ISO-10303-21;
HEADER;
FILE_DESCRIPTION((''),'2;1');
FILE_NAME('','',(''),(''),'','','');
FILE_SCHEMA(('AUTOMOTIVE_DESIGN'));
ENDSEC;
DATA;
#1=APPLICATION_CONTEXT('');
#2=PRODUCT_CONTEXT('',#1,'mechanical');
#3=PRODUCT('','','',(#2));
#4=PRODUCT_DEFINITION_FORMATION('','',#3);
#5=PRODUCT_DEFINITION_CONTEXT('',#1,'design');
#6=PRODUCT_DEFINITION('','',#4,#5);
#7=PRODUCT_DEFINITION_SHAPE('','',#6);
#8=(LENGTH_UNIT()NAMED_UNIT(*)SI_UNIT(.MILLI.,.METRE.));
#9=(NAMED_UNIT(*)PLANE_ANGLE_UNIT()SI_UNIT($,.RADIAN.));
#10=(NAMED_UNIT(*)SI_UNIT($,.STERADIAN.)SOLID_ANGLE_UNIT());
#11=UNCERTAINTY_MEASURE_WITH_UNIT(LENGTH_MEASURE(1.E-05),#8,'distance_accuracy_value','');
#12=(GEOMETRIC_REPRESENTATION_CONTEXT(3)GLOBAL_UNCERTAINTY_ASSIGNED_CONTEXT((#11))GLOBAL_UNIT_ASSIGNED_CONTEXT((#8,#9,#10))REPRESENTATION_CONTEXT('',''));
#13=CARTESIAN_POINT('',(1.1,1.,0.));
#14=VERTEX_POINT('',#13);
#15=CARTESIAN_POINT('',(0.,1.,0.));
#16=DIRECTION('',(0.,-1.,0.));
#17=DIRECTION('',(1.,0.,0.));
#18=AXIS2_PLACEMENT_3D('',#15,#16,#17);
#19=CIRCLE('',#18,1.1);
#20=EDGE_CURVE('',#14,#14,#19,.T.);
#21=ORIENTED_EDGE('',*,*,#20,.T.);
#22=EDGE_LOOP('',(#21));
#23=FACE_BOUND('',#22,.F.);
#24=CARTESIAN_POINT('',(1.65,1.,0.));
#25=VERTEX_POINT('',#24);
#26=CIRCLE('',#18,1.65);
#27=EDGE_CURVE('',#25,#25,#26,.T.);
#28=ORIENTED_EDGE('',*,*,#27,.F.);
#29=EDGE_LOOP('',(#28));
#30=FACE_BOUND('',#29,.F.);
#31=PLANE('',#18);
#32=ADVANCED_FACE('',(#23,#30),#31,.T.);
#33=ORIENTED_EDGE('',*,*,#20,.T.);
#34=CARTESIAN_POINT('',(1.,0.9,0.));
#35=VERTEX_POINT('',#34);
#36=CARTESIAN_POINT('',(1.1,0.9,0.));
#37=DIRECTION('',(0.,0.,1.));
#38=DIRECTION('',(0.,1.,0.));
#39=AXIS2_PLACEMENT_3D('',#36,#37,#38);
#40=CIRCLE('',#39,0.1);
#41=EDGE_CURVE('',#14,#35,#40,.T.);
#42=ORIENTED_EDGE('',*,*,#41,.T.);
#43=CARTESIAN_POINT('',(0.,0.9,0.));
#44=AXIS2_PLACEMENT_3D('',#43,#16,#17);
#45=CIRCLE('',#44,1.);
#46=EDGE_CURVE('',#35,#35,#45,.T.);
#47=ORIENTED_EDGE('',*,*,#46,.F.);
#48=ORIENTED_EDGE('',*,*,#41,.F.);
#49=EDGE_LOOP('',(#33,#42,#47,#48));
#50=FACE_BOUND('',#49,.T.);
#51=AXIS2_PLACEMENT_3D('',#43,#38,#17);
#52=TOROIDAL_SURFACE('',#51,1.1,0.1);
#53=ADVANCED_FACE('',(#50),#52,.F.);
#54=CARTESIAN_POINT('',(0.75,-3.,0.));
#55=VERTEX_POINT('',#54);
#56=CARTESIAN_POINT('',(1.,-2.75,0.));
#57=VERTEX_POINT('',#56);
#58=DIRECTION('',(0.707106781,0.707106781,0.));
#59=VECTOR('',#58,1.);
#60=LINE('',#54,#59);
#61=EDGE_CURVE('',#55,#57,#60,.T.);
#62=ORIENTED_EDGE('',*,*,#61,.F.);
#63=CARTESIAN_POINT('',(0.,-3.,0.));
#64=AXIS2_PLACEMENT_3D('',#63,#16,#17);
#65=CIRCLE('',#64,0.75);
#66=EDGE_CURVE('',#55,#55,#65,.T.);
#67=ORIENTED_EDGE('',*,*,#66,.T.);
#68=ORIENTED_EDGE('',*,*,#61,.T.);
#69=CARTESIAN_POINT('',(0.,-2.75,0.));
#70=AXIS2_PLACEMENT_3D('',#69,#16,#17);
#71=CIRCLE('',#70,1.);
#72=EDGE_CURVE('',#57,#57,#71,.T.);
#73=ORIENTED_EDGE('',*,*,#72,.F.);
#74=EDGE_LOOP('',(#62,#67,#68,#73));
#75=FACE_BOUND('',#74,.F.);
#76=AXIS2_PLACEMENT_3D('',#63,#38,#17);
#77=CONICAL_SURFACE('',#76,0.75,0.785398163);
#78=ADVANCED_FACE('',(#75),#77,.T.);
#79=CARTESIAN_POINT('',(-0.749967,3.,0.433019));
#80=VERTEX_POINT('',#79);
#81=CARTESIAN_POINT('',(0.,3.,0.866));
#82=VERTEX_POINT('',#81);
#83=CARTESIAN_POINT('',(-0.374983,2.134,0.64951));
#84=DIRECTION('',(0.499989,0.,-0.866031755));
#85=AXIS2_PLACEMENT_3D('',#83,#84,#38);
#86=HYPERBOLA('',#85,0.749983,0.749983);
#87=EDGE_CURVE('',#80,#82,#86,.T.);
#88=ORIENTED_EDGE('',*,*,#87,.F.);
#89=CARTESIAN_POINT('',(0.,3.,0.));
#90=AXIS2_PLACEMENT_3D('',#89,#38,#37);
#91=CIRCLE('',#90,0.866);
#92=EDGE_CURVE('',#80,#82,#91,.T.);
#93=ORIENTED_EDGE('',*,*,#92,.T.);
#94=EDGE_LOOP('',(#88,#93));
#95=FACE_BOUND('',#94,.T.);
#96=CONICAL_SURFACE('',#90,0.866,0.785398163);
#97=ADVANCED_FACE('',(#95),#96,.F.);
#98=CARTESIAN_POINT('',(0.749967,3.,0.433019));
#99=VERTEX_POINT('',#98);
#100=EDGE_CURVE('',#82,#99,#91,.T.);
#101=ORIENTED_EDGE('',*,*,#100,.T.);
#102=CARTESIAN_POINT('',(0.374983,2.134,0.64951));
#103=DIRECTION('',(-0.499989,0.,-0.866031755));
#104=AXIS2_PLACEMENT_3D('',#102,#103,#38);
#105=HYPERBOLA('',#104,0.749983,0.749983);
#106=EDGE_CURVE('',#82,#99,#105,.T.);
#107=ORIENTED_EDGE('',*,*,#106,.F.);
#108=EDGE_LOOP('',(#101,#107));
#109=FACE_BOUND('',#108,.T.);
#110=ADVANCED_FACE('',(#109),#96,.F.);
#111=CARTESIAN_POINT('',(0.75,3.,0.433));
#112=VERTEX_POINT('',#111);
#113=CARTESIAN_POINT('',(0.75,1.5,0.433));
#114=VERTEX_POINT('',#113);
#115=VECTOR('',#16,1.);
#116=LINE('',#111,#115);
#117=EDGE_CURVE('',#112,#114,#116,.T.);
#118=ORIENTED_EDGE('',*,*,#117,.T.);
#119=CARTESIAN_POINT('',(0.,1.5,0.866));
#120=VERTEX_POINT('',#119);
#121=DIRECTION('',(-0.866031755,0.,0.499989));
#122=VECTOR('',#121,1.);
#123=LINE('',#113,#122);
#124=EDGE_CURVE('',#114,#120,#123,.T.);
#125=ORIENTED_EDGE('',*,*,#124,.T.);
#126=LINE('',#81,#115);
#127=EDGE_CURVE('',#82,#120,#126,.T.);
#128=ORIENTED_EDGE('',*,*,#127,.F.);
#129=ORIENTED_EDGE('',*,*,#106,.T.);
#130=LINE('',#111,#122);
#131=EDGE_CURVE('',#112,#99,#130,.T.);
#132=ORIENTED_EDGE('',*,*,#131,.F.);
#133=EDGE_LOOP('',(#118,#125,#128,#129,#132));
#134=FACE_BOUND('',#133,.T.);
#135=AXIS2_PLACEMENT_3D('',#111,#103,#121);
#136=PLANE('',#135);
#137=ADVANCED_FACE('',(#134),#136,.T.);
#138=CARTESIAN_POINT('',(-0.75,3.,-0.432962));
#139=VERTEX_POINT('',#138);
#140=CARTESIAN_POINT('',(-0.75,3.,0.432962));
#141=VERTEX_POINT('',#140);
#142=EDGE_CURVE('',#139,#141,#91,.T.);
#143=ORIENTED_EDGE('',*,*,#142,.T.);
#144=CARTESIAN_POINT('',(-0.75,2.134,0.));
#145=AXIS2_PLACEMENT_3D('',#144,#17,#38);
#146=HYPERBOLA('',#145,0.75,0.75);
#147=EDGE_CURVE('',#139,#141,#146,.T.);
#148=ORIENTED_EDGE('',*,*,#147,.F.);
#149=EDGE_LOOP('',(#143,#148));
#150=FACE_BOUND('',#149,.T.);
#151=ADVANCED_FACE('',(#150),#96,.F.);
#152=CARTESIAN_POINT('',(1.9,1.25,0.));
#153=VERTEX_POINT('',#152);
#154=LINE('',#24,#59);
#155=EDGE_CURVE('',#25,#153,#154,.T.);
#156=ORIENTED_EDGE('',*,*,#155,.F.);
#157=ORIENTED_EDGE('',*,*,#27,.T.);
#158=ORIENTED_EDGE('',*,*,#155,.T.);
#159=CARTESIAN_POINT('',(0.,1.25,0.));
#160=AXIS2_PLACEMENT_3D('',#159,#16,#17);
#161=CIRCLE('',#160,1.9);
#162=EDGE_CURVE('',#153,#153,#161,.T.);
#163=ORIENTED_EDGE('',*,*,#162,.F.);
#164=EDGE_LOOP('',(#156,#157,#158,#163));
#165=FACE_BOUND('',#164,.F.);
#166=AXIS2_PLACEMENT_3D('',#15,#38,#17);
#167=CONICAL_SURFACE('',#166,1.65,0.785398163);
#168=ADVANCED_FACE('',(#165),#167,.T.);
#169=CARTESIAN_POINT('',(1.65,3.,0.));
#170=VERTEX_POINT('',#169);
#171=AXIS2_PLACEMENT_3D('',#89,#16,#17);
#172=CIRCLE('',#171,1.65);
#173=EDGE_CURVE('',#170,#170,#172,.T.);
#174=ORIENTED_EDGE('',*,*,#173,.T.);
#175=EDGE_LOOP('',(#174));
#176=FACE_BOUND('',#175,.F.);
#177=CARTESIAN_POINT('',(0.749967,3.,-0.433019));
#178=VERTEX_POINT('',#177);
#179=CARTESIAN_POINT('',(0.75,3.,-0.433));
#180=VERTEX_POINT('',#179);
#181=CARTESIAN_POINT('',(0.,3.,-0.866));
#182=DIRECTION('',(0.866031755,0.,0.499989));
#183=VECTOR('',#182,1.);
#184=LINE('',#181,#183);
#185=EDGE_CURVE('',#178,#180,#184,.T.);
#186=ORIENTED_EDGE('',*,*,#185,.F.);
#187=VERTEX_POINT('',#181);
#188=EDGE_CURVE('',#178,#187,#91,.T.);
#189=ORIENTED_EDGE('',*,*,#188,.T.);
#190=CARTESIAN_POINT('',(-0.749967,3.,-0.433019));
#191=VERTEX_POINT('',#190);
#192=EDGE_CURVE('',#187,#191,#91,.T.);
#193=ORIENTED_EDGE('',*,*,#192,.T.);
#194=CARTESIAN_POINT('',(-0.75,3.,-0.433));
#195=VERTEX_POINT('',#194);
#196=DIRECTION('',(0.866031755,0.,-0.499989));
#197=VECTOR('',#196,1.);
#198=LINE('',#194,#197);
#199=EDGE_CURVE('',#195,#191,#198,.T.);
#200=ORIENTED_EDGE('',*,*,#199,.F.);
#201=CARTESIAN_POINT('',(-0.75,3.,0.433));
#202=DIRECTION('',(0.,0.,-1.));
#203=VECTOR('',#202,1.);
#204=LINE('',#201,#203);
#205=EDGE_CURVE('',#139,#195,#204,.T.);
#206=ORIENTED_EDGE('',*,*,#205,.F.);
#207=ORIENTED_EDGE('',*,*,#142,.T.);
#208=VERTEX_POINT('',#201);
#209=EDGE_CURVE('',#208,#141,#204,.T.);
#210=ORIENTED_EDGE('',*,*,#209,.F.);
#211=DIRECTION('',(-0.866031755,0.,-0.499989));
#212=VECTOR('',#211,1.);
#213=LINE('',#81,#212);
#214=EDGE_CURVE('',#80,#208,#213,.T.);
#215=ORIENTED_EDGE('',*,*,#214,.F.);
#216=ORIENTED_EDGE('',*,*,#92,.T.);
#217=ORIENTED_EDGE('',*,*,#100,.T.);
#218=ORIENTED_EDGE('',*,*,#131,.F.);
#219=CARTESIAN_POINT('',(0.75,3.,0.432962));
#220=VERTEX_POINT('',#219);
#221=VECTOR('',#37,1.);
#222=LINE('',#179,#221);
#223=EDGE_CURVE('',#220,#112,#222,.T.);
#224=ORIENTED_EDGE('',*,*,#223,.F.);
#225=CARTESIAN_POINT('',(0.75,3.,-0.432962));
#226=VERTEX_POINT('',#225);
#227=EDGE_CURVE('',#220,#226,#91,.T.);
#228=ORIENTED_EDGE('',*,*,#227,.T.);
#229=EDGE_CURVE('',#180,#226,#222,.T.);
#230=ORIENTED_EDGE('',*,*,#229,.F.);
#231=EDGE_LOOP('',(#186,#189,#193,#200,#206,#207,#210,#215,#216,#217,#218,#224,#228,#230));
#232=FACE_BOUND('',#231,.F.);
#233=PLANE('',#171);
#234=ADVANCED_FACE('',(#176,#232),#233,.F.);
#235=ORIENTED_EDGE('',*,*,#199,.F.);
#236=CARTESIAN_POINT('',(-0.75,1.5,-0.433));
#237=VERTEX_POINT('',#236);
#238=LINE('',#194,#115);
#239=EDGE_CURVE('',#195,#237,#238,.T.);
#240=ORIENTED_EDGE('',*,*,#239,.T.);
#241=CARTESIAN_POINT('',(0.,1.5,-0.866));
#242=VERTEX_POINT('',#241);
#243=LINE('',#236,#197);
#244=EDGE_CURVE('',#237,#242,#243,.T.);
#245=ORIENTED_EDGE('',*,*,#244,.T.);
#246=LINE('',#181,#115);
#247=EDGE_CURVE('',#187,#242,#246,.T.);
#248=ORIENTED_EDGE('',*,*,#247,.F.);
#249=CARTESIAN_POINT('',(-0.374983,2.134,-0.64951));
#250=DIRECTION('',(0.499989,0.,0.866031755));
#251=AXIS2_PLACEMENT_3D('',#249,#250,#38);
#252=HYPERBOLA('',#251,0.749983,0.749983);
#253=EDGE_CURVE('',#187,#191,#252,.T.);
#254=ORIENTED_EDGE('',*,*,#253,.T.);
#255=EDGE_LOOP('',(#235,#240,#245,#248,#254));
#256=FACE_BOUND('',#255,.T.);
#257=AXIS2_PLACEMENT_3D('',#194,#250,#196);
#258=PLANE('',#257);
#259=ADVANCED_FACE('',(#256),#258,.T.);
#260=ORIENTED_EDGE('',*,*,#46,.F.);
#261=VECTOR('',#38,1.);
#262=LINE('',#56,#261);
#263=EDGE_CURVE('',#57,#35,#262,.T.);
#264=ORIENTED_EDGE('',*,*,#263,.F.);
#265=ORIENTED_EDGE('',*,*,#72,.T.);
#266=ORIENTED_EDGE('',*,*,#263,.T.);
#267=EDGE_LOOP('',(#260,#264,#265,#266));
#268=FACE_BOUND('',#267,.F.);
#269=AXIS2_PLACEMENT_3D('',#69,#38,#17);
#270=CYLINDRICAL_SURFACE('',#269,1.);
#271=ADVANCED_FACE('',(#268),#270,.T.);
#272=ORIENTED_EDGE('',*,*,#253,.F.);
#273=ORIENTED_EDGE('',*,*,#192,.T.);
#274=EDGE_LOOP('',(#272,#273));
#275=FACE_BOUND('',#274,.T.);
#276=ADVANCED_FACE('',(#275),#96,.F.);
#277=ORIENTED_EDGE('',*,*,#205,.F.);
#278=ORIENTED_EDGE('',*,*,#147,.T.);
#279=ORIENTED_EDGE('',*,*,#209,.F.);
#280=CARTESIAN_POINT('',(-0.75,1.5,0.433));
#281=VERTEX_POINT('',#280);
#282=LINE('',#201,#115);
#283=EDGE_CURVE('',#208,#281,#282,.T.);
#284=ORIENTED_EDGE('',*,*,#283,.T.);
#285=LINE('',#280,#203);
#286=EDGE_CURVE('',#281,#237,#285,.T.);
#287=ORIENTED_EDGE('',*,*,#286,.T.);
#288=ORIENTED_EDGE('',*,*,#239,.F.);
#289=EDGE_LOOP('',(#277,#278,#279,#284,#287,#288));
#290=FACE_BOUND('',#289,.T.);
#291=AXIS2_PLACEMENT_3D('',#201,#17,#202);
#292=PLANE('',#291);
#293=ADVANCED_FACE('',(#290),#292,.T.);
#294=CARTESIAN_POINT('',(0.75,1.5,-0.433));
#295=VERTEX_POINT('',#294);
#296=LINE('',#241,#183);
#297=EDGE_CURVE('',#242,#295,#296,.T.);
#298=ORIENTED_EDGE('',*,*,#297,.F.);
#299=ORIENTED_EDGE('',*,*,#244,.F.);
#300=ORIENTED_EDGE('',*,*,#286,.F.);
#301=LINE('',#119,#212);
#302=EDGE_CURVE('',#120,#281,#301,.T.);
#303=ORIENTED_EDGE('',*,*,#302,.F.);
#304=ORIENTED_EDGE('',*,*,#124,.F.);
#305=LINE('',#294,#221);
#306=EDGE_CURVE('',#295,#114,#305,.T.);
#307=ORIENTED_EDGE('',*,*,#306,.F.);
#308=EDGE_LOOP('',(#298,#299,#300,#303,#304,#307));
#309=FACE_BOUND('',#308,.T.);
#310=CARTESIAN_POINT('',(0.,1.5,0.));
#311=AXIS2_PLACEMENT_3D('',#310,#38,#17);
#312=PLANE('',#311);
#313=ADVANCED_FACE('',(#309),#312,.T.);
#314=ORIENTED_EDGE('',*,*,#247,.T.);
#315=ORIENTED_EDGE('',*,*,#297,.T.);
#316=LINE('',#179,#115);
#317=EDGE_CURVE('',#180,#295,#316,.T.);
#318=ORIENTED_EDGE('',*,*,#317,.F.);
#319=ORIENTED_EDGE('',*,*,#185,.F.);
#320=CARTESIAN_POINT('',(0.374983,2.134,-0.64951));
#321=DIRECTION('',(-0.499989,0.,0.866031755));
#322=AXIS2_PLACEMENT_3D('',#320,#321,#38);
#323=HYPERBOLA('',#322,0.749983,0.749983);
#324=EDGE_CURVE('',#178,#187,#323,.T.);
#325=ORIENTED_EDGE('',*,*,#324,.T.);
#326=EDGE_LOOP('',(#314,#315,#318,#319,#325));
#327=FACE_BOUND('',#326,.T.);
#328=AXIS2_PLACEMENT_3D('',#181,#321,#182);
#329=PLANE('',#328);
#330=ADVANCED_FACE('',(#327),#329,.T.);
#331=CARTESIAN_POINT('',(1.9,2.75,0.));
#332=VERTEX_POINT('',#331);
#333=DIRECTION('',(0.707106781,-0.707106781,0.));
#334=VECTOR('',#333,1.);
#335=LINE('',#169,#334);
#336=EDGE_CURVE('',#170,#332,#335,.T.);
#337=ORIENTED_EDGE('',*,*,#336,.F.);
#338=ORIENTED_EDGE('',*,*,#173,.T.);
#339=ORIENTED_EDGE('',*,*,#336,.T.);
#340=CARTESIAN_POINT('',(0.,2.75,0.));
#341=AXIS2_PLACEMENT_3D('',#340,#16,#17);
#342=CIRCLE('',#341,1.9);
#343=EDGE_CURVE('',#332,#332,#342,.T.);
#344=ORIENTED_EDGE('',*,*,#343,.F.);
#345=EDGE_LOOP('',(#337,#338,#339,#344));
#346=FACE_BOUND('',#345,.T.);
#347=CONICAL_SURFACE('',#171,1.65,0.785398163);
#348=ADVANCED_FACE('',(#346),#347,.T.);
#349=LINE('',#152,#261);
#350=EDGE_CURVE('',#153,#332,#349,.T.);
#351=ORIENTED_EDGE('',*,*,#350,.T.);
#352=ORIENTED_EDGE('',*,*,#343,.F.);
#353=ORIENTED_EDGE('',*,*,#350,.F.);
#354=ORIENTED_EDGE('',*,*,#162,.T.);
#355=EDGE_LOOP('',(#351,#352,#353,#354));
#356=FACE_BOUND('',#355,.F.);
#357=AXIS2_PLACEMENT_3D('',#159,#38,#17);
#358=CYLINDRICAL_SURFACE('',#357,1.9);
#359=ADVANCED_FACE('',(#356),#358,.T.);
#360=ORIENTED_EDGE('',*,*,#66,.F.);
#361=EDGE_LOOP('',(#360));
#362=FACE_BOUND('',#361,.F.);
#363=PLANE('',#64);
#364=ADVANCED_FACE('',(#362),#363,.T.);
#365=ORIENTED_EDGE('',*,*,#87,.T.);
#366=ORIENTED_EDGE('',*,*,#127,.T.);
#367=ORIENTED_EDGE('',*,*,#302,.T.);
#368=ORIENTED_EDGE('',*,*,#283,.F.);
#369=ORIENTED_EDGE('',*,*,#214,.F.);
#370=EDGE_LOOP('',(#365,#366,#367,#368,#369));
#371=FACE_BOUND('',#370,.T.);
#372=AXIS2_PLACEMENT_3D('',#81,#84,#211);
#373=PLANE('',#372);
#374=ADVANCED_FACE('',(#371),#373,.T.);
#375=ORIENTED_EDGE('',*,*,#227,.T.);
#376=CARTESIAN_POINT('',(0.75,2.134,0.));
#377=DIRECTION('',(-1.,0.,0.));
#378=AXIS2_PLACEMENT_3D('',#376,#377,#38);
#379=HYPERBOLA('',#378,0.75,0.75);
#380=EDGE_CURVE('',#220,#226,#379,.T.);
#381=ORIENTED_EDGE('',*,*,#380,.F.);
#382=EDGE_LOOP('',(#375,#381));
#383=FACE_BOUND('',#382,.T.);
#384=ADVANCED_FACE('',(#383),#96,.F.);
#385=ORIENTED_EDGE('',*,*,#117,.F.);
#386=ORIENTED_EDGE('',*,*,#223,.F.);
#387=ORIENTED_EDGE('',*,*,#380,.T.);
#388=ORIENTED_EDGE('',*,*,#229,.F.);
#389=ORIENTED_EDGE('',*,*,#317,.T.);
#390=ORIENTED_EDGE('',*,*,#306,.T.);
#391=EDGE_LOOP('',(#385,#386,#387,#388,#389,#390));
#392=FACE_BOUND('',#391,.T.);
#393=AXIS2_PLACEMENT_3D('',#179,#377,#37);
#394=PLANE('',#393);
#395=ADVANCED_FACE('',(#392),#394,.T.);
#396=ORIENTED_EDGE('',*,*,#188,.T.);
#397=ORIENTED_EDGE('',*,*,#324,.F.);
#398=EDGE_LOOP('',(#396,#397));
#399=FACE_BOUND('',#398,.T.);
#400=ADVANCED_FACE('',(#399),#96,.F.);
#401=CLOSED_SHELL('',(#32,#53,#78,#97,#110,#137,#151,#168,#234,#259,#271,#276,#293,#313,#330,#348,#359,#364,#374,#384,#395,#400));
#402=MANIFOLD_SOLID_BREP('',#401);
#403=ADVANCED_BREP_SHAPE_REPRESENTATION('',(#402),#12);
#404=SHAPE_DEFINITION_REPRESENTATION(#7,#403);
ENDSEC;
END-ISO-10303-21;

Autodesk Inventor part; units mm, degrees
ref_plane "YZ Plane" through (0, 0, 0) normal (1, 0, 0) x (0, 1, 0)
ref_plane "XZ Plane" through (0, 0, 0) normal (0, 1, 0) x (-1, 0, 0)
ref_plane "XY Plane" through (0, 0, 0) normal (0, 0, 1) x (1, 0, 0)
sketch "Sketch1" plane through (0, 0, 0) normal (0, 0, 1) x (1, 0, 0)
  line L0 (0, 3) -> (0, -3)
  line L1 (0, -3) -> (0.75, -3)
  line L2 (0.75, -3) -> (1, -2.75)
  line L3 (1, -2.75) -> (1, 0.9)
  line L4 (1.1, 1) -> (1.65, 1)
  line L5 (1.9, 1.25) -> (1.9, 2.75)
  line L6 (1.65, 3) -> (0, 3)
  arc A0 (1.1, 1) -> (1, 0.9) centre (1.1, 0.9) ccw
  line L7 (1.65, 3) -> (1.9, 2.75)
  line L8 (1.65, 1) -> (1.9, 1.25)
  point P0 (0, 0)
  point P1 (1.9, 1)
  point P2 (1.9, 3)
  point P3 (0, 0)
  dimension "d0" = 3.8
  dimension "d1" = 2
  dimension "d3" = 2
  dimension "d4" = 2.2
  dimension "d5" = 135
  dimension "d6" = 0.25
  dimension "d7" = 4
  dimension "d18" = 0.25
revolve "Revolution1" add sketch "Sketch1" angle 360 about axis through (0, 3, 0) along (0, -1, 0)
sketch "Sketch2" plane through (0, 3, 0) normal (0, 1, 0) x (1, 0, 0)
  line L0 (0, -0.866) -> (-0.75, -0.433)
  line L1 (-0.75, -0.433) -> (-0.75, 0.433)
  line L2 (-0.75, 0.433) -> (0, 0.866)
  line L3 (0, 0.866) -> (0.75, 0.433)
  line L4 (0.75, 0.433) -> (0.75, -0.433)
  line L5 (0.75, -0.433) -> (0, -0.866)
  point P0 (0, 0)
  point P1 (0, 0)
  dimension "d11" = 1.5
extrude "Extrusion1" cut sketch "Sketch2" against normal blind 1.5
thread "Thread1" size "M2x0.4" class "6g" standard "ANSI Metric M Profile" full length
sketch "Sketch3" plane through (0, 0, 0) normal (1, 0, 0) x (0, 1, 0)
  line L0 (3, 0.866) -> (3, 0.433) projected
  line L1 (3, 0.866) -> (2.5, 0.366)
  line L2 (2.5, 0.366) -> (3, 0.366)
  line L3 (3, 0.366) -> (3, 0.866)
  line L4 (-0.6, 0) -> (3.6, 0) projected
  point P0 (0, 0)
  dimension "d16" = 0.5
revolve "Revolution2" cut sketch "Sketch3" angle 360 about axis through (0, -10, 0) along (0, 1, 0)
properties part number "Bolt_M2x0.4_4mm_SH" material "Stainless Steel"
